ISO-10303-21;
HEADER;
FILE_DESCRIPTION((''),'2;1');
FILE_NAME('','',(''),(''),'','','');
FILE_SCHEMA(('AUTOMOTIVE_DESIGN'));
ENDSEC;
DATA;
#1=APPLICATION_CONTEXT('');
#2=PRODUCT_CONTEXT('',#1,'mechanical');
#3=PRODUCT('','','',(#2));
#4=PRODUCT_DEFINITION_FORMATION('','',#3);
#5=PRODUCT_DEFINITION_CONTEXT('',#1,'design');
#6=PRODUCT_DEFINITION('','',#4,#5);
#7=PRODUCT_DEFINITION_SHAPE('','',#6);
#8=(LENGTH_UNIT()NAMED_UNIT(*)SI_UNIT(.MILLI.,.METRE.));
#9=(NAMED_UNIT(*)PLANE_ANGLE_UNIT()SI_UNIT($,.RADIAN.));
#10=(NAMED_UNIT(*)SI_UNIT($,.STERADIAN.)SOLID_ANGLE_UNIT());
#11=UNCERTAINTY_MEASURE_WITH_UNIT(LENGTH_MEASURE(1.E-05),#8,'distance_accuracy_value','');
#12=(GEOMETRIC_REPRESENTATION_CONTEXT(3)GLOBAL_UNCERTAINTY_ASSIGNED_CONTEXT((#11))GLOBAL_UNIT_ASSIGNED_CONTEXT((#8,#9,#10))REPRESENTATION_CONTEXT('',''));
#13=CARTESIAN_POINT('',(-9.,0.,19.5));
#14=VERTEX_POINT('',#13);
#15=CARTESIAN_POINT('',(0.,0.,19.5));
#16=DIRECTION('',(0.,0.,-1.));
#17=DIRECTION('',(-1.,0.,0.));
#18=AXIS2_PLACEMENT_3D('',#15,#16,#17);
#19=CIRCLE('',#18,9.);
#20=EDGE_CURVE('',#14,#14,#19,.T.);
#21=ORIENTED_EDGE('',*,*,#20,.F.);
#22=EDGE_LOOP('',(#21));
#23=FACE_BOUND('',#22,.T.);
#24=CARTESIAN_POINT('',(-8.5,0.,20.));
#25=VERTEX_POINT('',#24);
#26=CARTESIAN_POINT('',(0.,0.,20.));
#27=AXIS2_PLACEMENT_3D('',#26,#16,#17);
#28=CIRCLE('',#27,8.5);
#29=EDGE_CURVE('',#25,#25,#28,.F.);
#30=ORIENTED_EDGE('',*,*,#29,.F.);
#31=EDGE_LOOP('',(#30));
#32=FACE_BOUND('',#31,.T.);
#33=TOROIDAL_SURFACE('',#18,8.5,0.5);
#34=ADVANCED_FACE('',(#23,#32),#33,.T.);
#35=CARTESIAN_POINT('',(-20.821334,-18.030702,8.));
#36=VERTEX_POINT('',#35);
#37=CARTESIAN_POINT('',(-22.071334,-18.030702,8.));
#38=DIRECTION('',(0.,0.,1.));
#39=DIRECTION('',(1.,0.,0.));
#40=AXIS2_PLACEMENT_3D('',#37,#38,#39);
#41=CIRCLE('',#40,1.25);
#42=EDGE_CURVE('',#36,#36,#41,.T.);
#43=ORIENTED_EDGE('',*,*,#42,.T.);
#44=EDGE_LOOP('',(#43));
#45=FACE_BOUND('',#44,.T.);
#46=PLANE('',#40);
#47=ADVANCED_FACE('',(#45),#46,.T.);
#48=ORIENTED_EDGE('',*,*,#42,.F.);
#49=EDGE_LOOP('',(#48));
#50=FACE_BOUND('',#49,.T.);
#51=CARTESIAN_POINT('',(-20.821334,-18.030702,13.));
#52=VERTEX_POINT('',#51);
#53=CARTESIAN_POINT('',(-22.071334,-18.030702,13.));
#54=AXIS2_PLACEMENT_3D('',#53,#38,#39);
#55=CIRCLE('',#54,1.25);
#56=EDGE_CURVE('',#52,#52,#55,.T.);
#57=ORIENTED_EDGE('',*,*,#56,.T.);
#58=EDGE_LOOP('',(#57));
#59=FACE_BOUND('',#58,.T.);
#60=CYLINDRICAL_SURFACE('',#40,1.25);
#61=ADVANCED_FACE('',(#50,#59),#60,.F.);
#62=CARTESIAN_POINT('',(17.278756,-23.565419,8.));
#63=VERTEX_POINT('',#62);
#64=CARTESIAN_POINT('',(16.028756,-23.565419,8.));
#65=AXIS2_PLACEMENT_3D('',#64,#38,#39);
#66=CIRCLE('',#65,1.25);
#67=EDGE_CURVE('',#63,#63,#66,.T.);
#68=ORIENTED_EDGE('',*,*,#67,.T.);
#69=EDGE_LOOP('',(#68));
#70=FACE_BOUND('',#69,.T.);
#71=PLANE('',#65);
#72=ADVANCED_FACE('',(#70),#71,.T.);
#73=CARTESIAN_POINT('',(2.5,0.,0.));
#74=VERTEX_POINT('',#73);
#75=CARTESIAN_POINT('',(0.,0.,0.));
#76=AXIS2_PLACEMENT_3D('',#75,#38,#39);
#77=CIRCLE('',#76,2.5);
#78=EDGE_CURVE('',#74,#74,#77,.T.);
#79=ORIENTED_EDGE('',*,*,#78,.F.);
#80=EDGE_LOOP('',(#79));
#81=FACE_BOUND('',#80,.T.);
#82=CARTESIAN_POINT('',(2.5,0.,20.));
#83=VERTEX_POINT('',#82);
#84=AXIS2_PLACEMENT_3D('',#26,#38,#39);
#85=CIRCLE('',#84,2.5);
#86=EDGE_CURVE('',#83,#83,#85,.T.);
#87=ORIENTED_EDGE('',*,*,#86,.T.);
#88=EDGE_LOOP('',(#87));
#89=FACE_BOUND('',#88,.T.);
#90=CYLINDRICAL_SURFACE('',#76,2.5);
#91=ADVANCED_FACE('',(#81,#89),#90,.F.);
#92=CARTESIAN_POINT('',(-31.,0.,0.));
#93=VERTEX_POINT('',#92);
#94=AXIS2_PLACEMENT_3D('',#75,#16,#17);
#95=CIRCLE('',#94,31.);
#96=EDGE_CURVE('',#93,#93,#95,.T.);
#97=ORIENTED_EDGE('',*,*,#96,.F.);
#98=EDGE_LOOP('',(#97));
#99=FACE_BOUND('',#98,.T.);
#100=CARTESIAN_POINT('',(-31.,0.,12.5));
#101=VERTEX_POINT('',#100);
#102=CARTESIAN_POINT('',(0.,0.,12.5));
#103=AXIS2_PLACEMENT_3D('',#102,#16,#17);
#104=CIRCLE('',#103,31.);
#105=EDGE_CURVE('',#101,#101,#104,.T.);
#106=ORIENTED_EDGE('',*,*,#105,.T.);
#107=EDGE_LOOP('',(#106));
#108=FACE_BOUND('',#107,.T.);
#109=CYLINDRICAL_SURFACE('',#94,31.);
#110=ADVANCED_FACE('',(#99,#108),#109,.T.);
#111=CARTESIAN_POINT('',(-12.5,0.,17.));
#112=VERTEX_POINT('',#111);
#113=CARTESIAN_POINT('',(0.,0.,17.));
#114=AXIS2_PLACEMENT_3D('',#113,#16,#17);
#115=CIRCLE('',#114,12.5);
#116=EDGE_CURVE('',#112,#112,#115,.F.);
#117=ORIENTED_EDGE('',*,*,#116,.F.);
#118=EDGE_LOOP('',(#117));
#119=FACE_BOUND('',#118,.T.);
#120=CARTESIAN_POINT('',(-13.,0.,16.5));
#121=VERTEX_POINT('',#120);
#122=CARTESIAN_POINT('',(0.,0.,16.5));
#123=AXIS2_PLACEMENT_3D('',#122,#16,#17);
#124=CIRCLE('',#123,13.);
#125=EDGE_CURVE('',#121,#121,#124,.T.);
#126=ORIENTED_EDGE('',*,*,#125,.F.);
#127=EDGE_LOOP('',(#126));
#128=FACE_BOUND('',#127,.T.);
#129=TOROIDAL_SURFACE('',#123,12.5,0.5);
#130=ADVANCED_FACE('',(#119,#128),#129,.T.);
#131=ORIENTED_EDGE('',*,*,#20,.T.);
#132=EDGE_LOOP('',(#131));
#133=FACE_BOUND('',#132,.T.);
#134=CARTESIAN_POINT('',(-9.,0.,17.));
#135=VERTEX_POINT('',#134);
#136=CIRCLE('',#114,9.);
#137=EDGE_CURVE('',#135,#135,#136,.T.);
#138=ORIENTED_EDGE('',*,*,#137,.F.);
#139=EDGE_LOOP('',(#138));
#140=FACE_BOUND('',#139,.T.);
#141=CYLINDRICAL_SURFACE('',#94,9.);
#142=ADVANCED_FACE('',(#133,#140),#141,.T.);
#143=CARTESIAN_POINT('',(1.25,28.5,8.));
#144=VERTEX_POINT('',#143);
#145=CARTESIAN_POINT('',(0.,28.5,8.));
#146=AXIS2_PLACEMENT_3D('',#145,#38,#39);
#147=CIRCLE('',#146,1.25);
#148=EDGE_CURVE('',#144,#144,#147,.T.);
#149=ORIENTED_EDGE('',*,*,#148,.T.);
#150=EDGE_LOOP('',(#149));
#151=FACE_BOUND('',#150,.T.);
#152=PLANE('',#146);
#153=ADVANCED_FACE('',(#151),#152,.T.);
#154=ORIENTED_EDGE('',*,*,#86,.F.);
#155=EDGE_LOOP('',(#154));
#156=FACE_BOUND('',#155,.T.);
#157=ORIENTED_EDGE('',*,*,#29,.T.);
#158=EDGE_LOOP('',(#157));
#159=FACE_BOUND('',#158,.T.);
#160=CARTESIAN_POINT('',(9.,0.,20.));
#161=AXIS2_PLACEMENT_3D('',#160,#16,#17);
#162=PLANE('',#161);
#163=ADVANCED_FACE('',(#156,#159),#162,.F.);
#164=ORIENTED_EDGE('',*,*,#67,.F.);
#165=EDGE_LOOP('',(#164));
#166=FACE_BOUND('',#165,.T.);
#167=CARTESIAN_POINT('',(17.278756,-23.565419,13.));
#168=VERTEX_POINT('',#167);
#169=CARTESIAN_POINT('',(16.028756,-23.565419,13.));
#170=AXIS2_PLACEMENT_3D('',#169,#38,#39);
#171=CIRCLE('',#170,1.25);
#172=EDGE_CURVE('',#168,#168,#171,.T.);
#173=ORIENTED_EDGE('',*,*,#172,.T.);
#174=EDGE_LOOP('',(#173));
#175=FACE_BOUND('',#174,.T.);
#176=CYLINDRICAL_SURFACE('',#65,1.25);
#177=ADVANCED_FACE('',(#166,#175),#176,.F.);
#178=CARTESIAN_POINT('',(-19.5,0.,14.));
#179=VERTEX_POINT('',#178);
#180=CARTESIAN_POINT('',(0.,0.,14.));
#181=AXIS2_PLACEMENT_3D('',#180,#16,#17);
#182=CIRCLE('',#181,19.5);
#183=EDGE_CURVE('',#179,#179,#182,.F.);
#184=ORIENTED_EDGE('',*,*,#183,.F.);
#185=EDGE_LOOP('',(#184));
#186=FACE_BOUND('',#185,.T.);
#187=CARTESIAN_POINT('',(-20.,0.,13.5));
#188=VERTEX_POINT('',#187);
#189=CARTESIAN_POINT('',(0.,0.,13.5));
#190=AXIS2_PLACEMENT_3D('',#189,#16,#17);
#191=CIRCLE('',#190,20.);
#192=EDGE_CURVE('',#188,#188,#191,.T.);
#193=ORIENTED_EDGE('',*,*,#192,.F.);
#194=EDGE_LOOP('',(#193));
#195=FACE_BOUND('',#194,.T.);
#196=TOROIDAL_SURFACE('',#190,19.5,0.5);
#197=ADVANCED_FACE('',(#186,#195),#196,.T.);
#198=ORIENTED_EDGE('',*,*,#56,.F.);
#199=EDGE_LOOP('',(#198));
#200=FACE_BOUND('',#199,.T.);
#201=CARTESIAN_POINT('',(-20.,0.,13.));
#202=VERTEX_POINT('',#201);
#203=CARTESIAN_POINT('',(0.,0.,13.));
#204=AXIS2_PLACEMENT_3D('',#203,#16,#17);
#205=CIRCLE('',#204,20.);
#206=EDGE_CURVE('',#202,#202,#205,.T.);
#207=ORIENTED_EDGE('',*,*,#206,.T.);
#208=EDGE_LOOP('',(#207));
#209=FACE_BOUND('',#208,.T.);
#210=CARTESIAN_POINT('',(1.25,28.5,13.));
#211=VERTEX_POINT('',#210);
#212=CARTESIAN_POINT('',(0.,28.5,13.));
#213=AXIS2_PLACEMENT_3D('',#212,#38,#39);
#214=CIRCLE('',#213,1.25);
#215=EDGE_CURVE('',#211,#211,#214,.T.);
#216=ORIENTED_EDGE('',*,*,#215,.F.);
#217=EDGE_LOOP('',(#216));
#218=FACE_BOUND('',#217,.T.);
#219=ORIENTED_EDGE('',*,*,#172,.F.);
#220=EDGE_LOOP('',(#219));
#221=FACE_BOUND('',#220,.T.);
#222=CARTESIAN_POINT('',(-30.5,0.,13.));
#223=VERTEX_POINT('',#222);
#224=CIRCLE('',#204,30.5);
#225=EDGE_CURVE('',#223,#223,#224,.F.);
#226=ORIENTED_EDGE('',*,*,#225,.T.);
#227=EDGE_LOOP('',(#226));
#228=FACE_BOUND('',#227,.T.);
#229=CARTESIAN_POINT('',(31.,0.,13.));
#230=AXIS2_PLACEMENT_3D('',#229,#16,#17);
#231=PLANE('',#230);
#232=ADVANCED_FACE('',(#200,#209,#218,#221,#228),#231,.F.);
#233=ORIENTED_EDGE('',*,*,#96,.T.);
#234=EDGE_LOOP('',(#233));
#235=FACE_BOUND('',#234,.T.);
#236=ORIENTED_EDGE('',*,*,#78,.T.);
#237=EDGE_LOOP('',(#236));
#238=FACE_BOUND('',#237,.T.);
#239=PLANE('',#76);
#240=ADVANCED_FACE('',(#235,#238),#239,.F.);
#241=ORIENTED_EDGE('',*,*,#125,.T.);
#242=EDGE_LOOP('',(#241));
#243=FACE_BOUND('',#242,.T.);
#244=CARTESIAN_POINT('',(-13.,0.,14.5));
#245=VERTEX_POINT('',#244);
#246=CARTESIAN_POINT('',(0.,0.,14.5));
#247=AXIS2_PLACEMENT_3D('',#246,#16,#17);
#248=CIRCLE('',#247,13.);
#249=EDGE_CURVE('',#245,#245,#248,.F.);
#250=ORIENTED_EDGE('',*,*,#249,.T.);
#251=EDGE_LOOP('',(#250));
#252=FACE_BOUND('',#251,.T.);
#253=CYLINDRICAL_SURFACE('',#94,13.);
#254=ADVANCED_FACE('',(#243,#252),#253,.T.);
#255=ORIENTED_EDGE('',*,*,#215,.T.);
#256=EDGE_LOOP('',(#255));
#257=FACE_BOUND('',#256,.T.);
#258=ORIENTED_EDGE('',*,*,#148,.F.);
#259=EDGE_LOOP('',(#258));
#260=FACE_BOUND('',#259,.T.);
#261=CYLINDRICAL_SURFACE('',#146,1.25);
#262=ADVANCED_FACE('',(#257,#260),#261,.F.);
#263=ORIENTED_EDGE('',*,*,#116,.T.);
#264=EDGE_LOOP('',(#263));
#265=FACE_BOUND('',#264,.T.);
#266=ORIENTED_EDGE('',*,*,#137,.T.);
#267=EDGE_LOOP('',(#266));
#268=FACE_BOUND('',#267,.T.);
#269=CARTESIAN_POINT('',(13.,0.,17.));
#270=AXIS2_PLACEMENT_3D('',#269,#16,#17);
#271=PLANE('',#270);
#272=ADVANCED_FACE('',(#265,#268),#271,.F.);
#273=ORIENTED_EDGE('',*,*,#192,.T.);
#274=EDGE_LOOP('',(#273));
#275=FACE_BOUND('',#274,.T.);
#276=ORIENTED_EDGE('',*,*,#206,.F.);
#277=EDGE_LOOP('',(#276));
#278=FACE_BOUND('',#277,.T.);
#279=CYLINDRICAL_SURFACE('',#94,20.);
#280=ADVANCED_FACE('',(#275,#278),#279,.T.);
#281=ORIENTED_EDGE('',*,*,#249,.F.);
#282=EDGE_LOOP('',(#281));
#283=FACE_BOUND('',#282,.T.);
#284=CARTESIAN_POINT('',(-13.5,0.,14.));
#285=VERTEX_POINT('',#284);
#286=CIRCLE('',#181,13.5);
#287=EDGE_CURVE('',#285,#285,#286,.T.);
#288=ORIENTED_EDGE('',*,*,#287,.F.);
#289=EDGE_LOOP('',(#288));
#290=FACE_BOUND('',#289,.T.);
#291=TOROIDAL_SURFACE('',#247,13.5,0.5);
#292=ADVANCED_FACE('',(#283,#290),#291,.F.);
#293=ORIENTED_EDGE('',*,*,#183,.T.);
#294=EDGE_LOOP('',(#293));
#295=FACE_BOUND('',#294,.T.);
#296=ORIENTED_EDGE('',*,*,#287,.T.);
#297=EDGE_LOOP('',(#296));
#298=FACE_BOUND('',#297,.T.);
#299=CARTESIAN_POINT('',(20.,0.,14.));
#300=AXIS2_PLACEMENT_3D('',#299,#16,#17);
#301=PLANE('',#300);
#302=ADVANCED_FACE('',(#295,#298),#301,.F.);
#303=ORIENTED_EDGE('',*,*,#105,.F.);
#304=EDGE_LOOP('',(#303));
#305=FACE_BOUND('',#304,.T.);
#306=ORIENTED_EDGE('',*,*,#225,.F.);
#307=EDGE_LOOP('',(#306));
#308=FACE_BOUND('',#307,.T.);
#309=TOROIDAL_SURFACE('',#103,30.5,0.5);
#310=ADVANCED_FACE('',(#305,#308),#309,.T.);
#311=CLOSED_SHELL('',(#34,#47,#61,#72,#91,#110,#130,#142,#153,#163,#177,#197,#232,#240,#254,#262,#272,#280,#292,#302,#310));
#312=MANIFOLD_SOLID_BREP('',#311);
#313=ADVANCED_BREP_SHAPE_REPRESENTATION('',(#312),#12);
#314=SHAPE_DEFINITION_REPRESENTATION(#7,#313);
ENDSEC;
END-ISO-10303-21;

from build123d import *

# Parameters (mm, degrees)
ESQUISSE2_R             = 2.5
ENL_V_MAT_EXTRU_1_DEPTH = 49.187135213
CONG_1_R                = 0.5
ESQUISSE3_R             = 1.25
ENL_V_MAT_EXTRU_2_DEPTH = 5


with BuildPart() as part:
    # Esquisse1 → Révolution1 (revolve)
    with BuildSketch(Plane(origin=(0, 0, 0), x_dir=(1, 0, 0), z_dir=(0, 1, 0)), mode=Mode.PRIVATE) as r_volution1_sk:
        Polygon((0, 0), (31, 0), (31, -13), (20, -13), (20, -14), (13, -14), (13, -17), (9, -17), (9, -20), (0, -20), align=None)
    revolve(r_volution1_sk.sketch.rotate(Axis((0, 0, 0), (0, 0, 1)), 180), axis=Axis((0, 0, 0), (0, 0, 1)))

    # Esquisse2 → Enlèv. mat.-Extru.1 (cut, through all)
    with BuildSketch(Plane.XY.offset(20)):
        Circle(ESQUISSE2_R)
    extrude(amount=-ENL_V_MAT_EXTRU_1_DEPTH, mode=Mode.SUBTRACT)

    # Congé1
    cong_1_edges = [part.edges().sort_by_distance(p)[0] for p in [
        (9, 0, 20),
        (13, 0, 17),
        (13, 0, 14),
        (20, 0, 14),
        (31, 0, 13),
    ]]
    fillet(cong_1_edges, radius=CONG_1_R)

    # Esquisse3 → Enlèv. mat.-Extru.2 (cut)
    with BuildSketch(Plane.XY.offset(13)):
        with Locations((0, 28.5)):
            Circle(ESQUISSE3_R)
        with Locations((-22.07133422, -18.030701754)):
            Circle(ESQUISSE3_R)
        with Locations((16.028756412, -23.565418899)):
            Circle(ESQUISSE3_R)
    extrude(amount=-ENL_V_MAT_EXTRU_2_DEPTH, mode=Mode.SUBTRACT)


solid = part.part
